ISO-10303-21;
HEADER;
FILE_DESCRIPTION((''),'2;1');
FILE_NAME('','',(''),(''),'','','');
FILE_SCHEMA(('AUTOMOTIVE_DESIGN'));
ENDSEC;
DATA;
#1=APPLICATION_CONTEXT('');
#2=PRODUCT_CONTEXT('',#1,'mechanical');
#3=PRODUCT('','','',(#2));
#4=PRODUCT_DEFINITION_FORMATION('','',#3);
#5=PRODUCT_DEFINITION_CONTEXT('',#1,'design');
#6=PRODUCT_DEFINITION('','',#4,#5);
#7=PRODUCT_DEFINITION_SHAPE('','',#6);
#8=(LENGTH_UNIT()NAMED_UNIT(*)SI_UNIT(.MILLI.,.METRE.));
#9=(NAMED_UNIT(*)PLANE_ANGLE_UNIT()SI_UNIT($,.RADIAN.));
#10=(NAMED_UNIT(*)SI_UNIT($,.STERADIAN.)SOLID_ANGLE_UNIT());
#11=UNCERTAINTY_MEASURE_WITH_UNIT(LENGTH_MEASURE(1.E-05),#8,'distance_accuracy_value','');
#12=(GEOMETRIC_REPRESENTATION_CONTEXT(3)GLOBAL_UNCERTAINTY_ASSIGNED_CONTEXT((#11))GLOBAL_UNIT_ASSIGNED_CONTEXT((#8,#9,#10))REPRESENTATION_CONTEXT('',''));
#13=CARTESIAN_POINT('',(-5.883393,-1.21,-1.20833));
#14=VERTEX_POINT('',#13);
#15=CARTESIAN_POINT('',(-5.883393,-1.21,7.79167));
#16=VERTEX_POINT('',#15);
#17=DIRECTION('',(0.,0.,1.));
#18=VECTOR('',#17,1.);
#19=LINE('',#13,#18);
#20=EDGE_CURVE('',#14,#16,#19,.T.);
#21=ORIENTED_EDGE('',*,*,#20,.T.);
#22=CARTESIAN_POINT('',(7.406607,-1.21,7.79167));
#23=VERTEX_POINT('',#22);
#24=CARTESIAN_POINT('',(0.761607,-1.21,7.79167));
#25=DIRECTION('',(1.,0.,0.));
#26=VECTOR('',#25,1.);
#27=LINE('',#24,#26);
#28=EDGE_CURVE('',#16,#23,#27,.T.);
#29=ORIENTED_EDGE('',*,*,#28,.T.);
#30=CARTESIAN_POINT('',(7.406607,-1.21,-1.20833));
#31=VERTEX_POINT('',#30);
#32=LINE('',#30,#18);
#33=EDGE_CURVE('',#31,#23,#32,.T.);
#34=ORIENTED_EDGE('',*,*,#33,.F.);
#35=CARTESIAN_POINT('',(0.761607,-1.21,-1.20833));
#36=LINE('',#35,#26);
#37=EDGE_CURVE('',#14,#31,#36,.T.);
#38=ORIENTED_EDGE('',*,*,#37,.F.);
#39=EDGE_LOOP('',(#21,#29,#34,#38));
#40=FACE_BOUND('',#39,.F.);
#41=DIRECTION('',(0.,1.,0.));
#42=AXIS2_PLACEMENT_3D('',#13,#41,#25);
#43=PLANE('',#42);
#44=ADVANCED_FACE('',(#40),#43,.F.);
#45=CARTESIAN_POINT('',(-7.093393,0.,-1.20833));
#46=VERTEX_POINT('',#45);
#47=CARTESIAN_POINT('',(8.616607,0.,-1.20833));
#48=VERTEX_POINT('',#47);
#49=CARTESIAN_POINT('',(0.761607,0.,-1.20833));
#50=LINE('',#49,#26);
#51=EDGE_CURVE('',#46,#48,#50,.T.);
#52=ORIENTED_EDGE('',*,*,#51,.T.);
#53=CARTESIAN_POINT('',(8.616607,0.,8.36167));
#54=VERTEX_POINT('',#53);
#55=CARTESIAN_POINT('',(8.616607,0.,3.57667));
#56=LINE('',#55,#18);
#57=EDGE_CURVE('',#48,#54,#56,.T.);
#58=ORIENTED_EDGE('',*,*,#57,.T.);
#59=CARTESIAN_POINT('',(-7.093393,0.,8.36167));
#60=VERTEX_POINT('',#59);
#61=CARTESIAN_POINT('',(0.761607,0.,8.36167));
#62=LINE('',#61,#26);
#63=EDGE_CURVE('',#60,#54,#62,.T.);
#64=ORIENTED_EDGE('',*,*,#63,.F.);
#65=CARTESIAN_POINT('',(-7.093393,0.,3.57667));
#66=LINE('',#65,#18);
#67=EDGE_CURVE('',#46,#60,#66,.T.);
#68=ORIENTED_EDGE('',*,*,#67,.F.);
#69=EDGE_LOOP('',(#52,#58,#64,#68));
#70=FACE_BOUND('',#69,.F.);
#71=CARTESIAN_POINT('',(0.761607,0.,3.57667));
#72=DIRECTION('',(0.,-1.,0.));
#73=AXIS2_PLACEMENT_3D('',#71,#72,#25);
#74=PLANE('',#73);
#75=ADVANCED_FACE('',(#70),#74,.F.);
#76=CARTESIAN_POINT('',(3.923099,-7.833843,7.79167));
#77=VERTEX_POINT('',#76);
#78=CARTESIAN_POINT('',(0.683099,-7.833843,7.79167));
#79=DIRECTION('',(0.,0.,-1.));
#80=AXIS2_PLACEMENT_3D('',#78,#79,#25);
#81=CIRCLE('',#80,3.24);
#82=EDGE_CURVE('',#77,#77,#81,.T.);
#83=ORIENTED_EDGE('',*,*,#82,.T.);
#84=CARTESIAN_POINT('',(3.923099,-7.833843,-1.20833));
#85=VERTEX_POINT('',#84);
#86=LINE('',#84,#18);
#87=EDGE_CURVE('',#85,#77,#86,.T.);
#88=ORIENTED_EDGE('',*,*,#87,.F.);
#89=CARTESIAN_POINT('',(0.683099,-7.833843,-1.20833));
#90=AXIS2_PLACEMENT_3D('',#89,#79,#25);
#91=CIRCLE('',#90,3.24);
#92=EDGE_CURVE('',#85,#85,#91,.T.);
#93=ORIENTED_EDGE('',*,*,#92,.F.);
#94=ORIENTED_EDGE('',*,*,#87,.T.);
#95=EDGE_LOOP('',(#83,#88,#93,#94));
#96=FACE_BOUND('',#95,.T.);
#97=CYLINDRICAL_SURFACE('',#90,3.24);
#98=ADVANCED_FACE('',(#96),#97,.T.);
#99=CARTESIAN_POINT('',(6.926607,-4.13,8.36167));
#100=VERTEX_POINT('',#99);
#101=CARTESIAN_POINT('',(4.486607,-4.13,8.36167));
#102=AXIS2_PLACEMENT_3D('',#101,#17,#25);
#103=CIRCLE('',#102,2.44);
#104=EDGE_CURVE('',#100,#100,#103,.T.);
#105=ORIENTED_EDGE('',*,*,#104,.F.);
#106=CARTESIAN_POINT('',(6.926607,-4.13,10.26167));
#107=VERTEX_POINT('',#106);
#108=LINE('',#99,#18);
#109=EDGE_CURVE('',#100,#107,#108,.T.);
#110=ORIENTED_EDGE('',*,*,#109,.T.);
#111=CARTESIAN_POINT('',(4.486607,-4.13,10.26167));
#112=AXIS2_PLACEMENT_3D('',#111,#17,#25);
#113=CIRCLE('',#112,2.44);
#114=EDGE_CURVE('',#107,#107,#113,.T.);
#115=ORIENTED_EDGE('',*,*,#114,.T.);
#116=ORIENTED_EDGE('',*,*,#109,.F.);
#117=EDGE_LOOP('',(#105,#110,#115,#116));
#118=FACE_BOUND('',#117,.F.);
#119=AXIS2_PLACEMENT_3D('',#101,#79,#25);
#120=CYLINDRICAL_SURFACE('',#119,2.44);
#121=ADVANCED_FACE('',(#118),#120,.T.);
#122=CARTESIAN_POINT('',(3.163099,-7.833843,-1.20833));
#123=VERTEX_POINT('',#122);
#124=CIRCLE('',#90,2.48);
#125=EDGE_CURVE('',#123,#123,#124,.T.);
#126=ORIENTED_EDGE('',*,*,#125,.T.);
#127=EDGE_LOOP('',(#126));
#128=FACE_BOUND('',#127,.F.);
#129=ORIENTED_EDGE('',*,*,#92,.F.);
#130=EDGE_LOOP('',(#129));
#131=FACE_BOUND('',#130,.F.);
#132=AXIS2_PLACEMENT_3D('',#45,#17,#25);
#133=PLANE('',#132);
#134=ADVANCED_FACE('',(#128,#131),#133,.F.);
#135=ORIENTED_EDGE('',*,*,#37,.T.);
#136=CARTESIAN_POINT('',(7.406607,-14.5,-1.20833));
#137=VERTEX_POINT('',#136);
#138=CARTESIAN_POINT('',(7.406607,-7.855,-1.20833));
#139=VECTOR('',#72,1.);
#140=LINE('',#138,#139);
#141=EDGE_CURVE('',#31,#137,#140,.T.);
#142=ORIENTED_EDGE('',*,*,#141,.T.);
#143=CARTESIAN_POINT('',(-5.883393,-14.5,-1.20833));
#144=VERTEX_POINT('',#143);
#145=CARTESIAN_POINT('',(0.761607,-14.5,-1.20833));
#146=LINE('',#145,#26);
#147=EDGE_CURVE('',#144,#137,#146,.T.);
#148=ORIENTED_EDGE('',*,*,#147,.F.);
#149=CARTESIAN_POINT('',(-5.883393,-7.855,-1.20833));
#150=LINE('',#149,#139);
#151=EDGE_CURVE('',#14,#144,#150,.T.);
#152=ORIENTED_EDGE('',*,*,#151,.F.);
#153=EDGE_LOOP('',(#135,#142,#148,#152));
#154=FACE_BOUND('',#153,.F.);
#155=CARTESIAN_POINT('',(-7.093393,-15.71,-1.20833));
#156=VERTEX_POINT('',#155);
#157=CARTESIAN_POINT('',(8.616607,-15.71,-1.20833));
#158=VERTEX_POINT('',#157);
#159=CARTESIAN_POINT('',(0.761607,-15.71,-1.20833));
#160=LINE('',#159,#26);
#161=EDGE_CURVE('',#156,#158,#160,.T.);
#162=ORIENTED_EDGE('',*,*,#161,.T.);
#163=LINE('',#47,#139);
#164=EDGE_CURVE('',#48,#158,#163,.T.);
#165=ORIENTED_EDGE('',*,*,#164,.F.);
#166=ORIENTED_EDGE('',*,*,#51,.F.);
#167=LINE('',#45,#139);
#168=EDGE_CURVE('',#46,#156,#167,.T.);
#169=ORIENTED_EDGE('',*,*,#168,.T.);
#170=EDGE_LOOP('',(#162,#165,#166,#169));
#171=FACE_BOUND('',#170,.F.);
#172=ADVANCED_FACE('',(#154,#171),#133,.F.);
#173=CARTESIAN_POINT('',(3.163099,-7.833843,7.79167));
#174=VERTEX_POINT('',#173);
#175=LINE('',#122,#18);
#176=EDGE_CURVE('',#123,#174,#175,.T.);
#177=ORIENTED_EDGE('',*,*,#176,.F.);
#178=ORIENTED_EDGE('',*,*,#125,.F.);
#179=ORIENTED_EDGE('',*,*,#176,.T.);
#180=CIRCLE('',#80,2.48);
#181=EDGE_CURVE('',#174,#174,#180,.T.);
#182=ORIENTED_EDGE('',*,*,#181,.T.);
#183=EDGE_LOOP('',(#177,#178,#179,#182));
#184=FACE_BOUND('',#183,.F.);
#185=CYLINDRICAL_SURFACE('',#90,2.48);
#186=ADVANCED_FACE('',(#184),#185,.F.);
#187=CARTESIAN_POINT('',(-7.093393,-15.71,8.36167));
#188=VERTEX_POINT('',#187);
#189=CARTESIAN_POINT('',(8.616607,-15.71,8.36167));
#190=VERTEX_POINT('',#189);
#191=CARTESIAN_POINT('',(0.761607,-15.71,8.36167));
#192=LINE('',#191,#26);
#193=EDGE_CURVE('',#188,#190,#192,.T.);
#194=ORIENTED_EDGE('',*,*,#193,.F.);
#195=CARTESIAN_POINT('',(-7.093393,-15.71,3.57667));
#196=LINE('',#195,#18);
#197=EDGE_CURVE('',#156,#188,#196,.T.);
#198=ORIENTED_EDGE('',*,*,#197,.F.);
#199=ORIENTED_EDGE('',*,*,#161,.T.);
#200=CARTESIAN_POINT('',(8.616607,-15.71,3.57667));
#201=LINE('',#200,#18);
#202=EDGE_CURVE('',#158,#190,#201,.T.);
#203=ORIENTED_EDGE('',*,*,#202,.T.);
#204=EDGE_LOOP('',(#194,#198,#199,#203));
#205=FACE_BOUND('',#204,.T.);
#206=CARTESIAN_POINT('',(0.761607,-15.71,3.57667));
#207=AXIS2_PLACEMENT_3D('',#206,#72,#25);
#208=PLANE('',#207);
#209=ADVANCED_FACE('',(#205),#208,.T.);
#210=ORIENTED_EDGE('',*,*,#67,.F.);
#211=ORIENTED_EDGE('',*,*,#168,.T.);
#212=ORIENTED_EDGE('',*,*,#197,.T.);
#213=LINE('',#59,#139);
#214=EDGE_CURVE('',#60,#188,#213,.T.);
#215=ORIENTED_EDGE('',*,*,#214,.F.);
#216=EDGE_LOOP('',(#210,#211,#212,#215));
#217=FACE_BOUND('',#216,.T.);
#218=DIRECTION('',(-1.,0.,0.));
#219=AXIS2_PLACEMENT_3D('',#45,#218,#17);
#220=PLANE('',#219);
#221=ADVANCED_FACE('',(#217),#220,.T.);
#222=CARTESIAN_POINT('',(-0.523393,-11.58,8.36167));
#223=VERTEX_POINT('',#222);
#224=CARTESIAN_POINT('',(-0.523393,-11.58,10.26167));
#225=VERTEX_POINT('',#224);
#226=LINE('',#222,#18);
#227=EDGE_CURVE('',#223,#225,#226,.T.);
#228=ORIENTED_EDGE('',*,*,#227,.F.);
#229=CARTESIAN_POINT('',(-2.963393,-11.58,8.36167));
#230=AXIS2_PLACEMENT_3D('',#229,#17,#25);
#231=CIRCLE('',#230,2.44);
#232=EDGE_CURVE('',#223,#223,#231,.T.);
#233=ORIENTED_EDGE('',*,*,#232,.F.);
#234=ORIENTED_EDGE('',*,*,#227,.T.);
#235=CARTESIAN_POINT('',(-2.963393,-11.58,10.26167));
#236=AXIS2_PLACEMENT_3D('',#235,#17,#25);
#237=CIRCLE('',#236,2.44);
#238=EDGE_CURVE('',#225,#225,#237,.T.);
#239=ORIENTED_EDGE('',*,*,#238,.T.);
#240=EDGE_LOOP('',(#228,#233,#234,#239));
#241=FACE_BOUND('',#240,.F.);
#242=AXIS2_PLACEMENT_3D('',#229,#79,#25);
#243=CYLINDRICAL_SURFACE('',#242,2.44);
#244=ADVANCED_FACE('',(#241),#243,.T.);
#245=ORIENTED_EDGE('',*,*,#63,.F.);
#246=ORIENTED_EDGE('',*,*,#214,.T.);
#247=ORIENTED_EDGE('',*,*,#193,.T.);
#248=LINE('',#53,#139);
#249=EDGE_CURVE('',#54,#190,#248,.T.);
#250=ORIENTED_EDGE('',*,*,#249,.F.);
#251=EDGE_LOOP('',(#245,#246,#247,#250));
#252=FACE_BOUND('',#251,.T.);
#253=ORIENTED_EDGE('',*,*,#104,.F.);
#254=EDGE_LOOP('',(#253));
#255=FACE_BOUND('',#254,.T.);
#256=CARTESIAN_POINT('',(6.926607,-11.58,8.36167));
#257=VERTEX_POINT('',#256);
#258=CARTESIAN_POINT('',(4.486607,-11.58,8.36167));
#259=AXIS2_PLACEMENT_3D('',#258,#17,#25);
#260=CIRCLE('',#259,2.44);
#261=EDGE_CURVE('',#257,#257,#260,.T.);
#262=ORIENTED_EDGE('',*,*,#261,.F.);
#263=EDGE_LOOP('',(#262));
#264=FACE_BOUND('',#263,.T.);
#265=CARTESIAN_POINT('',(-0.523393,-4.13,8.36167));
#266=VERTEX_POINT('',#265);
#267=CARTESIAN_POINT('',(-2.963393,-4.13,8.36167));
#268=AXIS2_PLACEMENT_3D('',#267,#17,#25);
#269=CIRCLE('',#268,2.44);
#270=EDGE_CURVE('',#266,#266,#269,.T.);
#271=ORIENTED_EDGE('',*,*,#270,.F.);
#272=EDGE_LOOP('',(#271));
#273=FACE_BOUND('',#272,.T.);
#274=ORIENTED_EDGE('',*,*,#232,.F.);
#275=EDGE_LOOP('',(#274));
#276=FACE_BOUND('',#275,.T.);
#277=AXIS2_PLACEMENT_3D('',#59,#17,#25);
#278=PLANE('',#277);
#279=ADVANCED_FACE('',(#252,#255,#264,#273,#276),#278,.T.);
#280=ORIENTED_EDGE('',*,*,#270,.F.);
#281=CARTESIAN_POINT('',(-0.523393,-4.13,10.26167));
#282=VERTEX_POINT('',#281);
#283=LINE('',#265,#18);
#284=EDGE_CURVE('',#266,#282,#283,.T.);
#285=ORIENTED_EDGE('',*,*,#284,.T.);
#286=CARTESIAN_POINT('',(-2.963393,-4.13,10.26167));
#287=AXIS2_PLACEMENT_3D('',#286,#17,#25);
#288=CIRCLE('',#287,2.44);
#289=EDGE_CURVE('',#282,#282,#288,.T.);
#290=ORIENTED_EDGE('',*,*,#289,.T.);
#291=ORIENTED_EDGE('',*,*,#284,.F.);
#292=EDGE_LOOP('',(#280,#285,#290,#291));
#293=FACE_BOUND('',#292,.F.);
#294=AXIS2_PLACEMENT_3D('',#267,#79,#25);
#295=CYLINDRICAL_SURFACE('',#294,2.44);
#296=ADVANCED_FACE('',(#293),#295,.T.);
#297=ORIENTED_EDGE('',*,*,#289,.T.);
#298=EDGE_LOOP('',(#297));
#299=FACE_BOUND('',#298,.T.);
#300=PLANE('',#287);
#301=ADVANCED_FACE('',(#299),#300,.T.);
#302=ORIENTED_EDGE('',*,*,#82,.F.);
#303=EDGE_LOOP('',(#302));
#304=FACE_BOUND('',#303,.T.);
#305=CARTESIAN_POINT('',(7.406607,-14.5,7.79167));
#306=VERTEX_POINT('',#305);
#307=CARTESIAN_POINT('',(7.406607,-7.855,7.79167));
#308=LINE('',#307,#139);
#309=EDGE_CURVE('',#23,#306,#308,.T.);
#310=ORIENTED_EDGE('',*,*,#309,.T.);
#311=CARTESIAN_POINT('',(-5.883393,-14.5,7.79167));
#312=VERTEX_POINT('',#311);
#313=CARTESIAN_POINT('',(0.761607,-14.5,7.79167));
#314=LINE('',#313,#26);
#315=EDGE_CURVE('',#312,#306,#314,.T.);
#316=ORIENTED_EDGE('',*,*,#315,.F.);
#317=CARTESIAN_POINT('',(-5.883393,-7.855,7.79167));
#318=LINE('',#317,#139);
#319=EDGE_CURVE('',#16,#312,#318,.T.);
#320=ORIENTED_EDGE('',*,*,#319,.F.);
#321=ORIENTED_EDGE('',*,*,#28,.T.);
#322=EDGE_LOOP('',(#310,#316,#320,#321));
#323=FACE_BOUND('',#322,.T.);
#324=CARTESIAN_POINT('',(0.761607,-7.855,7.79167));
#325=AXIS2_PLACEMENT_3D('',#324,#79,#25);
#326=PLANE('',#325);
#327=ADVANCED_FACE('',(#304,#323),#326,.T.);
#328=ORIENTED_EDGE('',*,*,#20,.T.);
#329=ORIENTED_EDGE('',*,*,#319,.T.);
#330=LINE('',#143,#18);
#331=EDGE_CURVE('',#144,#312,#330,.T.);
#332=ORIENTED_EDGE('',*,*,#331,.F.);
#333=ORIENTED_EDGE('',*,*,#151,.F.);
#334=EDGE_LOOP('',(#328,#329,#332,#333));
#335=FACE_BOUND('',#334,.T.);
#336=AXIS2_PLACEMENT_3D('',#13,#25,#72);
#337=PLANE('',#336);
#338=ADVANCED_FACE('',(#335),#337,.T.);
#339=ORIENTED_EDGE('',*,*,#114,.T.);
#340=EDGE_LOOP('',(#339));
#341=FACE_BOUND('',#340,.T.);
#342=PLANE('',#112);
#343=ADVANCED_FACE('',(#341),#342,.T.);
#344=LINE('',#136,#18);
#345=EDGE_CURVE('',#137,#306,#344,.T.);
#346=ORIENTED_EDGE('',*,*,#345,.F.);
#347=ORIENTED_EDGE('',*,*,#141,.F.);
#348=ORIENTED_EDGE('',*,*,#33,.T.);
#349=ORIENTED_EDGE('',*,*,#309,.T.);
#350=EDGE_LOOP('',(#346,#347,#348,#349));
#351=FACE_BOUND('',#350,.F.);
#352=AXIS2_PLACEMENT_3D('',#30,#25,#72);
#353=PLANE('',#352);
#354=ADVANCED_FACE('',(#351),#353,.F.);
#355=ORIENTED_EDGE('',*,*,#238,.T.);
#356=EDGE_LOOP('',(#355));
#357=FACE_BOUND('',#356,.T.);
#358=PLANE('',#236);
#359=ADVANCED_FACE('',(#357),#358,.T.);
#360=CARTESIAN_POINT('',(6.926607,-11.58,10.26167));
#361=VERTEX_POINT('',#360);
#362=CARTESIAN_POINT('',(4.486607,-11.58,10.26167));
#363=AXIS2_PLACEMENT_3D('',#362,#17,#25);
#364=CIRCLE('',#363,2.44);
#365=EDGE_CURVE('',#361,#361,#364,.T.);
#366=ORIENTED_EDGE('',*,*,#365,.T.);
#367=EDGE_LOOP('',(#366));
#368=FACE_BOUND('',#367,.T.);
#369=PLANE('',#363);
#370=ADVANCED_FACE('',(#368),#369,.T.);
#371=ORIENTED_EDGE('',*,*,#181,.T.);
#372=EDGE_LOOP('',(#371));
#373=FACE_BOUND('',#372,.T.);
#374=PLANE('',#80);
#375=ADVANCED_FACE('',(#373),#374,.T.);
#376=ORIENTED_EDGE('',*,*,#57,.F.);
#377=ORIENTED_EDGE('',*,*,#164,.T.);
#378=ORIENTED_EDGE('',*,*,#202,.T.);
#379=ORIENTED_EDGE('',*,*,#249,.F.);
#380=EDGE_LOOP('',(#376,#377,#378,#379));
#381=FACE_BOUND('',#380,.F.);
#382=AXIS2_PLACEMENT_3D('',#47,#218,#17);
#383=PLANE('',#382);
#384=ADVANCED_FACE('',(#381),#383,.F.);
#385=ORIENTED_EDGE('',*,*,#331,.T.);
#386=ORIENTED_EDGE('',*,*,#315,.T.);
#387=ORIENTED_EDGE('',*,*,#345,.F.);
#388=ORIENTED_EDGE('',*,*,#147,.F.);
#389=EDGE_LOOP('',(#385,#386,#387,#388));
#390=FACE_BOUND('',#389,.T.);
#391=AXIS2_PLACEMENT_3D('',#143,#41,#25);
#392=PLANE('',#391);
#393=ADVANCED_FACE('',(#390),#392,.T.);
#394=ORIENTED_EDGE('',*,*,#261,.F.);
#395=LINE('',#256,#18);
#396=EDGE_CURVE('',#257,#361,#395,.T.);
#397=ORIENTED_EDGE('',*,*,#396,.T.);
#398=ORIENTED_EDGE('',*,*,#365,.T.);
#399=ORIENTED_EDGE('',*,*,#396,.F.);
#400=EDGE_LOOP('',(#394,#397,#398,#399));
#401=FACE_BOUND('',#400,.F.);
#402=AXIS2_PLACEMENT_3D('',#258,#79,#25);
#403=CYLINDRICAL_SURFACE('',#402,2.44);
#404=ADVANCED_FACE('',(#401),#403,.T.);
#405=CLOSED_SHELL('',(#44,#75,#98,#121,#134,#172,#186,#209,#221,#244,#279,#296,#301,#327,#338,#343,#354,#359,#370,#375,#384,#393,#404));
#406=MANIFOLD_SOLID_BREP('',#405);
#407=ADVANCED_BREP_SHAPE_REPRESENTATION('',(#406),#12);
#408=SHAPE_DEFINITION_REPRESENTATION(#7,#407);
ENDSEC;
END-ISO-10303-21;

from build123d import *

# Parameters (mm, degrees)
F0_W     = 15.71
F0_H     = 9.57
F1_DEPTH = 15.71
F2_R     = 2.44
F3_DEPTH = 1.9
F4_W     = 13.29
F4_H     = 13.29
F4_R     = 2
F4_R_2   = 3.24
F5_DEPTH = 9
F6_R     = 2.48
F7_DEPTH = 9


with BuildPart() as f1:
    # F0 (on Front) → F1 (new body)
    with BuildSketch(Plane.XZ):
        with Locations((0.7616067305, 3.5766704181)):
            Rectangle(F0_W, F0_H)
    extrude(amount=F1_DEPTH)

    # F2 (on face) → F3 (join)
    with BuildSketch(Plane.XY.offset(8.3616704181)):
        with Locations((4.4866067305, -11.58)):
            Circle(F2_R)
        with Locations((-2.9633932695, -11.58)):
            Circle(F2_R)
        with Locations((-2.9633932695, -4.13)):
            Circle(F2_R)
        with Locations((4.4866067305, -4.13)):
            Circle(F2_R)
    extrude(amount=F3_DEPTH)

    # F4 (on face) → F5 (cut)
    with BuildSketch(Plane(origin=(0, 0, -1.2083295819), x_dir=(1, 0, 0), z_dir=(0, 0, -1))):
        with Locations((0.7616067305, 7.855)):
            Rectangle(F4_W, F4_H)
        with Locations((-3.647951686, 3.4200778348)):
            Circle(F4_R, mode=Mode.SUBTRACT)
        with Locations((0.6830992061, 7.8338431194)):
            Circle(F4_R_2, mode=Mode.SUBTRACT)
        with Locations((5.201886408, 3.4736101516)):
            Circle(F4_R, mode=Mode.SUBTRACT)
        with Locations((-3.6477285673, 12.270077832)):
            Circle(F4_R, mode=Mode.SUBTRACT)
        with Locations((5.2021095268, 12.3236101487)):
            Circle(F4_R, mode=Mode.SUBTRACT)
        with Locations((-3.647951686, 3.4200778348)):
            Circle(F4_R)
        with Locations((-3.6477285673, 12.270077832)):
            Circle(F4_R)
        with Locations((5.2021095268, 12.3236101487)):
            Circle(F4_R)
        with Locations((5.201886408, 3.4736101516)):
            Circle(F4_R)
    extrude(amount=-F5_DEPTH, mode=Mode.SUBTRACT)

    # F6 (on face) → F7 (cut)
    with BuildSketch(Plane(origin=(0, 0, -1.2083295819), x_dir=(1, 0, 0), z_dir=(0, 0, -1))):
        with Locations((0.6830992061, 7.8338431194)):
            Circle(F6_R)
    extrude(amount=-F7_DEPTH, mode=Mode.SUBTRACT)


solid = f1.part
